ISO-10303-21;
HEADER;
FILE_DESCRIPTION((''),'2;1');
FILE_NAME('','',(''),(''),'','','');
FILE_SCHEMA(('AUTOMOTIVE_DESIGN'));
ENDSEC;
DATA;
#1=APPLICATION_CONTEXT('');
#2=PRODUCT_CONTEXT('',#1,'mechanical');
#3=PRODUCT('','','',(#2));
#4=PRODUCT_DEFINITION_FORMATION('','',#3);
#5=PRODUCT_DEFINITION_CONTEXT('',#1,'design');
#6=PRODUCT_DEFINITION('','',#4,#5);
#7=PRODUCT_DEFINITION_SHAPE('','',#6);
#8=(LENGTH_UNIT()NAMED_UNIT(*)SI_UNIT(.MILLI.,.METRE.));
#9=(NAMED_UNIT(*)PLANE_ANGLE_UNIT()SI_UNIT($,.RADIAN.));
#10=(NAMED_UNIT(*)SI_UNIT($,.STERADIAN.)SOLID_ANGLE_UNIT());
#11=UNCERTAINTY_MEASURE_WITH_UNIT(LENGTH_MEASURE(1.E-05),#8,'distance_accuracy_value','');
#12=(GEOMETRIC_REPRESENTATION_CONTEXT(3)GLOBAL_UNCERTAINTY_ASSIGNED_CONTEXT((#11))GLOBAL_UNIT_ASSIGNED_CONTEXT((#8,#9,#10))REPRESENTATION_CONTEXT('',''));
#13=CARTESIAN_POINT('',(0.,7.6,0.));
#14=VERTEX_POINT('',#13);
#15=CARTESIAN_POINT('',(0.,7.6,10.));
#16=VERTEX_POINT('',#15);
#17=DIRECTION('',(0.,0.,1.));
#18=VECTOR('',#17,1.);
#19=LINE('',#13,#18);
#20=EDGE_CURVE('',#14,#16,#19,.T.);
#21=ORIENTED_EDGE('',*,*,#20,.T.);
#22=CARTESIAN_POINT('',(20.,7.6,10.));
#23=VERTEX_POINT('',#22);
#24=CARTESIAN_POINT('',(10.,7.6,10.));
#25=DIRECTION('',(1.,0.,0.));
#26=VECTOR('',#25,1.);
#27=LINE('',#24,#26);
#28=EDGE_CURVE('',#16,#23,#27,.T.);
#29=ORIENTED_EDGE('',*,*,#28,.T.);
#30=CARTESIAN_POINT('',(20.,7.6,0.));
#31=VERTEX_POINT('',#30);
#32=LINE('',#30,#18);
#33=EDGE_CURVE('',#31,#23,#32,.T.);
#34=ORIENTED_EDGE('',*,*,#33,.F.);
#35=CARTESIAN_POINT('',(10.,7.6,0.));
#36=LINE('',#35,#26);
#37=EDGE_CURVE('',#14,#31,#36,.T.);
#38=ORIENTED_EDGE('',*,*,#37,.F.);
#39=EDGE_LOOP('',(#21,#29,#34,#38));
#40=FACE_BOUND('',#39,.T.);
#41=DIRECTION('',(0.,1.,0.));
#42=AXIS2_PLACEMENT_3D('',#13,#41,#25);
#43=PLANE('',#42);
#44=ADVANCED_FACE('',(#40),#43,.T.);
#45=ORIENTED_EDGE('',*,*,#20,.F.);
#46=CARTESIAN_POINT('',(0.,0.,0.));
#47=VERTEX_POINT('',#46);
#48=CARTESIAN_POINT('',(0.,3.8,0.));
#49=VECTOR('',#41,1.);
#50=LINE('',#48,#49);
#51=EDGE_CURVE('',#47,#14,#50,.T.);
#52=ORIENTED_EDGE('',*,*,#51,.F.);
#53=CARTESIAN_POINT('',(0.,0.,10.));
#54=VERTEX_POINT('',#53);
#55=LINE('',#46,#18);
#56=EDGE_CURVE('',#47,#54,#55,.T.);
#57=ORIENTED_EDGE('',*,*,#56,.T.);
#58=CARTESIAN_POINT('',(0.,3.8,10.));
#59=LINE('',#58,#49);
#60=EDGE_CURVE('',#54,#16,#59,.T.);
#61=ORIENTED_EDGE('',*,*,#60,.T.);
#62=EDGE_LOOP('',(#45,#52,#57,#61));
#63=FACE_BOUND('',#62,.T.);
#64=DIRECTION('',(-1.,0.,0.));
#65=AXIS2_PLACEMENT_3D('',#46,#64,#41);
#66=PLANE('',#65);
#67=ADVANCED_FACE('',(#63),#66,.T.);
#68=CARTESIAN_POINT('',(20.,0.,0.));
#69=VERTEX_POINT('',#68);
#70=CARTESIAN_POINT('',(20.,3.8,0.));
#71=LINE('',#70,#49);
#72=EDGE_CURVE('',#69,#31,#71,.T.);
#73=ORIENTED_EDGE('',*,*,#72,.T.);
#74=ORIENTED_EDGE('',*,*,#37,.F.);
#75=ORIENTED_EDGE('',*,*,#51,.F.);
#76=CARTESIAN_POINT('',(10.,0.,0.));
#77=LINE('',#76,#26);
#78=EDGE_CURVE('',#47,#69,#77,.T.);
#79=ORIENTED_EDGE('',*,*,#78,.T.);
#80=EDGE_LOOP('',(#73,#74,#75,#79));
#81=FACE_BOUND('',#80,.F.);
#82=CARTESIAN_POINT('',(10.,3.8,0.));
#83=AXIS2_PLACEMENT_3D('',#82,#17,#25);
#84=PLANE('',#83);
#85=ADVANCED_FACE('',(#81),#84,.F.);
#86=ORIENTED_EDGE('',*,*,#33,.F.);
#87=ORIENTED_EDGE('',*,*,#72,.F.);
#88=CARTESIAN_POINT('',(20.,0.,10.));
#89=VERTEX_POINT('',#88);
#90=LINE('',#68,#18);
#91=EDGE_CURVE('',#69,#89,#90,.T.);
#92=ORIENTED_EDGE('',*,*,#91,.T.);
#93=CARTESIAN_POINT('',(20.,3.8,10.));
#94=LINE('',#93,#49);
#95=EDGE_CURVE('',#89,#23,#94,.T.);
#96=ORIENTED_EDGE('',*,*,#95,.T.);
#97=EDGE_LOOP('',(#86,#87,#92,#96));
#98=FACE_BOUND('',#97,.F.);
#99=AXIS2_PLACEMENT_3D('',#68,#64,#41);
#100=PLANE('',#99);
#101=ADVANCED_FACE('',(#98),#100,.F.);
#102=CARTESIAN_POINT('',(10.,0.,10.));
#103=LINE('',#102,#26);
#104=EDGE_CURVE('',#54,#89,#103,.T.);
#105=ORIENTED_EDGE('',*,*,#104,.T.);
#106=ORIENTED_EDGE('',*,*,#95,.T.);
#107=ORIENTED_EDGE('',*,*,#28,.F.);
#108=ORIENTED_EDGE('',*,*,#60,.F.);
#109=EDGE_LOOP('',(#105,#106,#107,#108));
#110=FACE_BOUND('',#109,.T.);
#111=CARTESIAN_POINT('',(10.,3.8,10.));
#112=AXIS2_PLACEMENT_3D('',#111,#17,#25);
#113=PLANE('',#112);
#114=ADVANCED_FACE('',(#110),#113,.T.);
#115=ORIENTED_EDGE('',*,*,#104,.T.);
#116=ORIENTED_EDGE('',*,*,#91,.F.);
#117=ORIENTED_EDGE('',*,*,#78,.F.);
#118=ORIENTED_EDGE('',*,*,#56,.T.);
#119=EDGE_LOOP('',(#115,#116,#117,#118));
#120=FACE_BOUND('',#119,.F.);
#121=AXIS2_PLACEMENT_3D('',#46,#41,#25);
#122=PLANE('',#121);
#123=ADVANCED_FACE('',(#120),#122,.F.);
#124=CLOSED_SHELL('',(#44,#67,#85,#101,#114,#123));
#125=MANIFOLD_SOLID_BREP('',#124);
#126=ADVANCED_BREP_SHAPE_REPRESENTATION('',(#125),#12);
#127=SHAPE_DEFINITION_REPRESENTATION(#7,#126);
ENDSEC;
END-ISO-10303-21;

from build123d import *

# Parameters (mm, degrees)
SKETCH_W  = 20
SKETCH_H  = 7.6
PAD_DEPTH = 10


with BuildPart() as part:
    # Sketch → Pad (new body)
    with BuildSketch(Plane.XY):
        with Locations((10, 3.8)):
            Rectangle(SKETCH_W, SKETCH_H)
    extrude(amount=PAD_DEPTH)


solid = part.part
